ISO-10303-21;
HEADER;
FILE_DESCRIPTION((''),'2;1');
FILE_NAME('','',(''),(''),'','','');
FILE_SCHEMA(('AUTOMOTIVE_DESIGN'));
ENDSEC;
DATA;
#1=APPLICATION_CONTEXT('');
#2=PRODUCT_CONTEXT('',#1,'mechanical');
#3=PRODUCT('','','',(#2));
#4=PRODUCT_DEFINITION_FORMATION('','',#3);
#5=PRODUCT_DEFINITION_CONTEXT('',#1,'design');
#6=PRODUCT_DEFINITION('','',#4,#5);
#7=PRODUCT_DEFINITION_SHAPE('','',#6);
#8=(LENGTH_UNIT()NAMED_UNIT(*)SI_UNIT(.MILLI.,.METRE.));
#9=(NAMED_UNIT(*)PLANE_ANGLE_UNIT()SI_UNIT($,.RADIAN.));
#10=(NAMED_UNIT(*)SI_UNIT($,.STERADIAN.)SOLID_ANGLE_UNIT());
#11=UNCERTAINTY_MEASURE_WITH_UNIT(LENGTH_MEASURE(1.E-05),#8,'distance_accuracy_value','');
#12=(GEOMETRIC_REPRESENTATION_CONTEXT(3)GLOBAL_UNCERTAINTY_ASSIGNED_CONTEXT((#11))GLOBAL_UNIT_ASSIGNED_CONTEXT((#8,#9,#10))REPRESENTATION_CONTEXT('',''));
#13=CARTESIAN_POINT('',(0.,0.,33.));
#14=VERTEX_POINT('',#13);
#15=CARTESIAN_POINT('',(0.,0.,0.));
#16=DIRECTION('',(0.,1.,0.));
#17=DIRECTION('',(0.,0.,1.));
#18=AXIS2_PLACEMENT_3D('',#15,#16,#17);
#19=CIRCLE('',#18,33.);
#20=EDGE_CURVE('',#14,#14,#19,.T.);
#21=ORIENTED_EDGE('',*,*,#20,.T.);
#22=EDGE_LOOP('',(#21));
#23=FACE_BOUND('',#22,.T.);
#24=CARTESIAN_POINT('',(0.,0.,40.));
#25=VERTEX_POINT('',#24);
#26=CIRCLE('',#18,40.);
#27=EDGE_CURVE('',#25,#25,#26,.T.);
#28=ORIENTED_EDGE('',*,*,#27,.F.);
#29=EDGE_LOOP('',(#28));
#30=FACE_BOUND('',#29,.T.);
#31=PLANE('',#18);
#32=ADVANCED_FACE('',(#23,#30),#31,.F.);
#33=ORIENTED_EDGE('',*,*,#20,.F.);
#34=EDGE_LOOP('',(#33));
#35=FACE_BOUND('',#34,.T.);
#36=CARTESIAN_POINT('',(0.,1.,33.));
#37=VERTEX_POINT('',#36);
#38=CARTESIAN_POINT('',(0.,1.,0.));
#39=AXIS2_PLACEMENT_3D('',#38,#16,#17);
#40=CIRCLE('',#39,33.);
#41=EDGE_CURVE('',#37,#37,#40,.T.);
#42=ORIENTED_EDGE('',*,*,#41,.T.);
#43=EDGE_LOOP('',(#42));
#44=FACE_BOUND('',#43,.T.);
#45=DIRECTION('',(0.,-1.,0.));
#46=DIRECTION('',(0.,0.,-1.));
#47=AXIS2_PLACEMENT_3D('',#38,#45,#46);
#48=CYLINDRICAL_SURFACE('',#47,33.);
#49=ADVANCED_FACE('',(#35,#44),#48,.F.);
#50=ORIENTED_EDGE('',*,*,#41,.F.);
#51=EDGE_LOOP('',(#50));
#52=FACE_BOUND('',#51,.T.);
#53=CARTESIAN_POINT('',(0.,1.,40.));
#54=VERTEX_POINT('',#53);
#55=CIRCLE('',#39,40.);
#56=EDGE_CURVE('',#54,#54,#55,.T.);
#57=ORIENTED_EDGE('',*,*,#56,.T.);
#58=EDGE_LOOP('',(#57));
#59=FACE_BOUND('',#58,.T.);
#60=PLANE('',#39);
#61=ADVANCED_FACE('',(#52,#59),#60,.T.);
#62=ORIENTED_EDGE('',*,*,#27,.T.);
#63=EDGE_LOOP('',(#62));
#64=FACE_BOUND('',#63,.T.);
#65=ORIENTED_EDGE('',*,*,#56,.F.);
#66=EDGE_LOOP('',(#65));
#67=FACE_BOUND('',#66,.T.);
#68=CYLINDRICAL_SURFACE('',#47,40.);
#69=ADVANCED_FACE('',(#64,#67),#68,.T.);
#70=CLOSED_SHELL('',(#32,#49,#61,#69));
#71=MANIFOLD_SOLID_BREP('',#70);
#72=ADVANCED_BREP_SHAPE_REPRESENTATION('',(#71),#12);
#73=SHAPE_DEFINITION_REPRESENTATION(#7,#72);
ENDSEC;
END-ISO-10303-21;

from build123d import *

# Parameters (mm, degrees)
SZKIC1_R                    = 40
SZKIC1_R_2                  = 33
DODANIE_WYCI_GNI_CIE1_DEPTH = 1


with BuildPart() as part:
    # Szkic1 → Dodanie-wyciągnięcie1 (new body)
    with BuildSketch(Plane(origin=(0, 0, 0), x_dir=(1, 0, 0), z_dir=(0, 1, 0))):
        with Locations(Location((0, 0, 0), (0, 0, 270))):
            Circle(SZKIC1_R)
        with Locations(Location((0, 0, 0), (0, 0, 270))):
            Circle(SZKIC1_R_2, mode=Mode.SUBTRACT)
    extrude(amount=DODANIE_WYCI_GNI_CIE1_DEPTH)


solid = part.part
